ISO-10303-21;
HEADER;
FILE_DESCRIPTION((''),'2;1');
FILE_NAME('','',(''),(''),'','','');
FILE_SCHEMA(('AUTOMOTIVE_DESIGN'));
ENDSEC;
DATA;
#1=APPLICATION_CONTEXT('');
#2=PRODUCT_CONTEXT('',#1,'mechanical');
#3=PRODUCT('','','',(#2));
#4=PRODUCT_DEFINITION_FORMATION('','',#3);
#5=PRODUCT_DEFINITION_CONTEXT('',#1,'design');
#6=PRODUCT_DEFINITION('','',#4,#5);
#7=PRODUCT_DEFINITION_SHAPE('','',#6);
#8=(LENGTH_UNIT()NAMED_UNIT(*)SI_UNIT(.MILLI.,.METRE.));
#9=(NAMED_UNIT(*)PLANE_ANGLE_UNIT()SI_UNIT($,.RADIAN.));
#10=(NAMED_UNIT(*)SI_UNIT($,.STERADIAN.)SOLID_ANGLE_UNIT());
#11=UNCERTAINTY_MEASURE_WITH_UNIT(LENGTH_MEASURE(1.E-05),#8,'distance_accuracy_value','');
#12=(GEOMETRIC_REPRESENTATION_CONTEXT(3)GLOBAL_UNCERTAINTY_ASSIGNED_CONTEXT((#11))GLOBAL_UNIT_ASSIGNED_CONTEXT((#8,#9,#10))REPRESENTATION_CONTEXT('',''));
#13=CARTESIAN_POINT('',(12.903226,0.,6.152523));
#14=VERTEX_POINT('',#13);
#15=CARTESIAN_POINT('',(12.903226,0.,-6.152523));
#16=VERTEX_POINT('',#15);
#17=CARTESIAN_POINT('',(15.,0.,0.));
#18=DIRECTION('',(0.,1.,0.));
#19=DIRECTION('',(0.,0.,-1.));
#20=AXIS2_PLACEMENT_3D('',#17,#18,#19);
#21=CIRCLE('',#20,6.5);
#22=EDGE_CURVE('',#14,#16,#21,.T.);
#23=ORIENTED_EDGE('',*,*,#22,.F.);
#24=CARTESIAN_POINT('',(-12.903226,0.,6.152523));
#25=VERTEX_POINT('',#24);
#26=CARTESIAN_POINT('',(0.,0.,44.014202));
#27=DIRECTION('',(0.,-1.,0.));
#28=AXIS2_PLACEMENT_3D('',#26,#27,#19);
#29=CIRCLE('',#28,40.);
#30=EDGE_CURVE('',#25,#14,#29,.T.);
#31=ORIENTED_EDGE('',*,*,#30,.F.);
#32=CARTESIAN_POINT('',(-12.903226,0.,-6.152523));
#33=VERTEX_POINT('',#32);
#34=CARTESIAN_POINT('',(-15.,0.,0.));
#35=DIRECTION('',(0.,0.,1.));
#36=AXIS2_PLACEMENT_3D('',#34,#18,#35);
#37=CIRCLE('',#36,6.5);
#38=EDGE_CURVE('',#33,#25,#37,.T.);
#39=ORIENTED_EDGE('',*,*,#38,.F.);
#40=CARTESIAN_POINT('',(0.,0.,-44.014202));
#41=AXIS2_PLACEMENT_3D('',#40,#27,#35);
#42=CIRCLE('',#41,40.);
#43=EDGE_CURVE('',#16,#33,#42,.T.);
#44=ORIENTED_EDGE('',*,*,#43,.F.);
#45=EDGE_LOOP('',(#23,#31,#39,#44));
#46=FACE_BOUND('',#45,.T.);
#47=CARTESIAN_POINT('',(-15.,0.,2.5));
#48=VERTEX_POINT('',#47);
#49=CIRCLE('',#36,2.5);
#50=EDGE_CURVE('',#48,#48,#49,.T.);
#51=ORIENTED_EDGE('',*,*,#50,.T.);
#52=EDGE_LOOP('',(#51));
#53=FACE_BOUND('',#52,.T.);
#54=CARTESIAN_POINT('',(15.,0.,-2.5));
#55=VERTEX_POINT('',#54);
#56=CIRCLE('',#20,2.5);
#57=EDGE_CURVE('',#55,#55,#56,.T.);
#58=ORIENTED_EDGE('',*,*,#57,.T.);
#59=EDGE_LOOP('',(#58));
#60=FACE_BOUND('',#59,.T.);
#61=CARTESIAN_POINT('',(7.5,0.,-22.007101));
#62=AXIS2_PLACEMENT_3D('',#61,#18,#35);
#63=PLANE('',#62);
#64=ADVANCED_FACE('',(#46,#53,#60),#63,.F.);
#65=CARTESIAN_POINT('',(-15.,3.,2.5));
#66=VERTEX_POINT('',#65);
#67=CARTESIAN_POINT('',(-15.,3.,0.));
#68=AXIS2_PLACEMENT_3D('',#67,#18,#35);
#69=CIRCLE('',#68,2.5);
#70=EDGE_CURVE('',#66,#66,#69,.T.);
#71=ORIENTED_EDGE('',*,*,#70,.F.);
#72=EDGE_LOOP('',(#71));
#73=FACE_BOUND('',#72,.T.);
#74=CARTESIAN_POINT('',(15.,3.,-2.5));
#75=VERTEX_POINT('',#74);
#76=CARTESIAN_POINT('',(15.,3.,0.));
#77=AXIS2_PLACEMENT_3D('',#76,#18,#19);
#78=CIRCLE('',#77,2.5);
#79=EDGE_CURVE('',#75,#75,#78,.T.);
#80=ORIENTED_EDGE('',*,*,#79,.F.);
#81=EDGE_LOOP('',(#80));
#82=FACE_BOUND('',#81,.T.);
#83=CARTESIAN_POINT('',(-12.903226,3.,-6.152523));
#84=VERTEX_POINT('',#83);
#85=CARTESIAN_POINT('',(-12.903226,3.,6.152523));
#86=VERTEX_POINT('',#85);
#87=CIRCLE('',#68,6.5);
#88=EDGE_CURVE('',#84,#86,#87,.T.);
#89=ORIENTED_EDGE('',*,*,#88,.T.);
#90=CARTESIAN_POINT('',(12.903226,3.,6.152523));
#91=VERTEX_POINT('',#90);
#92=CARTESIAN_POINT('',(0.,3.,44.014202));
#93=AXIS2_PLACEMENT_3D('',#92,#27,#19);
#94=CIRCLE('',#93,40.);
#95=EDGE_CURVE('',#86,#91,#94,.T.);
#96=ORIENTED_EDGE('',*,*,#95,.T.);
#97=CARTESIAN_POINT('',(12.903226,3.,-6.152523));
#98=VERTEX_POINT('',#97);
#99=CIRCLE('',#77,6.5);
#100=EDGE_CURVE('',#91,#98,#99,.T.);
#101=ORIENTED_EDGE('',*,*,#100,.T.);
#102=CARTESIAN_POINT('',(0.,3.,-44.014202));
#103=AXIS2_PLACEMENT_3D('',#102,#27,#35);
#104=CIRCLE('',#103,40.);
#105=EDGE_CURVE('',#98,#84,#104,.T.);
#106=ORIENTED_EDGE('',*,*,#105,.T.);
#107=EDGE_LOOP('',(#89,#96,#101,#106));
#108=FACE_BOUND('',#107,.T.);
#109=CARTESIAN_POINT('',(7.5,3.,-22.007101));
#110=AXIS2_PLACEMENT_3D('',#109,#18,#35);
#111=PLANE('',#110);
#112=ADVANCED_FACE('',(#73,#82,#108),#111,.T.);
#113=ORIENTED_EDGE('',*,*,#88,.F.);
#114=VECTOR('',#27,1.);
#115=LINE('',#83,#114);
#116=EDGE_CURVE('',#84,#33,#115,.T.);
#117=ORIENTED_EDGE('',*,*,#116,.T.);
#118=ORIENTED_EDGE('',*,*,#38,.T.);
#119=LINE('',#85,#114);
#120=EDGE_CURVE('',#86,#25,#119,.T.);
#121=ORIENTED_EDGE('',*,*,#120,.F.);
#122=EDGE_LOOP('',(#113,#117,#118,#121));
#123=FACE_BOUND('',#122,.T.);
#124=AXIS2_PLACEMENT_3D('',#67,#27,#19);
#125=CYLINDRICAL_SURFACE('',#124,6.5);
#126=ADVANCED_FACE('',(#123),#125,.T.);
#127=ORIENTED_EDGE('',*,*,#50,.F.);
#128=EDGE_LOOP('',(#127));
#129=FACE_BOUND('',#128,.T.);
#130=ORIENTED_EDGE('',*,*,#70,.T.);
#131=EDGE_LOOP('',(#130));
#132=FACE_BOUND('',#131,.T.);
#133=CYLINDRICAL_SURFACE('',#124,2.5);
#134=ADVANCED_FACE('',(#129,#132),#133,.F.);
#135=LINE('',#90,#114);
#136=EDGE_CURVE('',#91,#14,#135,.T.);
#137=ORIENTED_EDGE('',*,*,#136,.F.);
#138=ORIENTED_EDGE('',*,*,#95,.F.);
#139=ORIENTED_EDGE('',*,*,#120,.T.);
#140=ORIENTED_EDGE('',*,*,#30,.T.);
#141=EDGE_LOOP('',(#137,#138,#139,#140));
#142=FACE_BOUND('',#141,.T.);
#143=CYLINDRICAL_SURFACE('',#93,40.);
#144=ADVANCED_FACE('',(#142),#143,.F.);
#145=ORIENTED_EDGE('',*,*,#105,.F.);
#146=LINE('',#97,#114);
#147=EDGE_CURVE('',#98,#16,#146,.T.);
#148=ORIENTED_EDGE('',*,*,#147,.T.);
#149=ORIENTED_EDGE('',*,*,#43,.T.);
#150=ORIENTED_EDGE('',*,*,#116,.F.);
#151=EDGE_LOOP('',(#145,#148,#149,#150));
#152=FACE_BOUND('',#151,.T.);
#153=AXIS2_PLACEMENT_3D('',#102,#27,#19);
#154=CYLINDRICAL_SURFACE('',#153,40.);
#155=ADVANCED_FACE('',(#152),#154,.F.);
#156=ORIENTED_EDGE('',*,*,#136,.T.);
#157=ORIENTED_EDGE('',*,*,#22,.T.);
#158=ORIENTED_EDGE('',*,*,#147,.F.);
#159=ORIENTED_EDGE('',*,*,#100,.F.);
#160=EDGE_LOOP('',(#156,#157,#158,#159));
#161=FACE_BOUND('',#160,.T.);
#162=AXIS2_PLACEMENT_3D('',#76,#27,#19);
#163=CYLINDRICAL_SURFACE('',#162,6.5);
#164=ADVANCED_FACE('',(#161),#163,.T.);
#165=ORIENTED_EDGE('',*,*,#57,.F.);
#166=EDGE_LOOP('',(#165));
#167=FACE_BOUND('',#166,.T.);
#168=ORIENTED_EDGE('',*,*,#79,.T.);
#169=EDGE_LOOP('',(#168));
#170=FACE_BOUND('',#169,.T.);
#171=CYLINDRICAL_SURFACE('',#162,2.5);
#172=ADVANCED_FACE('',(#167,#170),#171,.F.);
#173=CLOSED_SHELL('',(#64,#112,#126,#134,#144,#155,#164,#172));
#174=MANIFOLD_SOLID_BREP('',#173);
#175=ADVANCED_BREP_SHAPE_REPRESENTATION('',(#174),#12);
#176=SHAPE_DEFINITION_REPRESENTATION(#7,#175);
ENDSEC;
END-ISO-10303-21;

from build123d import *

# Parameters (mm, degrees)
SKETCH_1_R      = 2.5
EXTRUDE_1_DEPTH = 3


with BuildPart() as part:
    # 草图1 → 凸台-拉伸1 (new body)
    with BuildSketch(Plane(origin=(0, 0, 0), x_dir=(1, 0, 0), z_dir=(0, 1, 0))):
        with BuildLine():
            ThreePointArc((-12.903225806, 6.152522896), (-21.5, 0), (-12.903225806, -6.152522896))
            ThreePointArc((-12.903225806, -6.152522896), (0, -4.014202253), (12.903225806, -6.152522896))
            ThreePointArc((12.903225806, -6.152522896), (21.5, 0), (12.903225806, 6.152522896))
            ThreePointArc((12.903225806, 6.152522896), (0, 4.014202253), (-12.903225806, 6.152522896))
        make_face()
        with Locations(Location((-15, 0, 0), (0, 0, 270))):
            Circle(SKETCH_1_R, mode=Mode.SUBTRACT)
        with Locations(Location((15, 0, 0), (0, 0, 90))):
            Circle(SKETCH_1_R, mode=Mode.SUBTRACT)
    extrude(amount=EXTRUDE_1_DEPTH)


solid = part.part
